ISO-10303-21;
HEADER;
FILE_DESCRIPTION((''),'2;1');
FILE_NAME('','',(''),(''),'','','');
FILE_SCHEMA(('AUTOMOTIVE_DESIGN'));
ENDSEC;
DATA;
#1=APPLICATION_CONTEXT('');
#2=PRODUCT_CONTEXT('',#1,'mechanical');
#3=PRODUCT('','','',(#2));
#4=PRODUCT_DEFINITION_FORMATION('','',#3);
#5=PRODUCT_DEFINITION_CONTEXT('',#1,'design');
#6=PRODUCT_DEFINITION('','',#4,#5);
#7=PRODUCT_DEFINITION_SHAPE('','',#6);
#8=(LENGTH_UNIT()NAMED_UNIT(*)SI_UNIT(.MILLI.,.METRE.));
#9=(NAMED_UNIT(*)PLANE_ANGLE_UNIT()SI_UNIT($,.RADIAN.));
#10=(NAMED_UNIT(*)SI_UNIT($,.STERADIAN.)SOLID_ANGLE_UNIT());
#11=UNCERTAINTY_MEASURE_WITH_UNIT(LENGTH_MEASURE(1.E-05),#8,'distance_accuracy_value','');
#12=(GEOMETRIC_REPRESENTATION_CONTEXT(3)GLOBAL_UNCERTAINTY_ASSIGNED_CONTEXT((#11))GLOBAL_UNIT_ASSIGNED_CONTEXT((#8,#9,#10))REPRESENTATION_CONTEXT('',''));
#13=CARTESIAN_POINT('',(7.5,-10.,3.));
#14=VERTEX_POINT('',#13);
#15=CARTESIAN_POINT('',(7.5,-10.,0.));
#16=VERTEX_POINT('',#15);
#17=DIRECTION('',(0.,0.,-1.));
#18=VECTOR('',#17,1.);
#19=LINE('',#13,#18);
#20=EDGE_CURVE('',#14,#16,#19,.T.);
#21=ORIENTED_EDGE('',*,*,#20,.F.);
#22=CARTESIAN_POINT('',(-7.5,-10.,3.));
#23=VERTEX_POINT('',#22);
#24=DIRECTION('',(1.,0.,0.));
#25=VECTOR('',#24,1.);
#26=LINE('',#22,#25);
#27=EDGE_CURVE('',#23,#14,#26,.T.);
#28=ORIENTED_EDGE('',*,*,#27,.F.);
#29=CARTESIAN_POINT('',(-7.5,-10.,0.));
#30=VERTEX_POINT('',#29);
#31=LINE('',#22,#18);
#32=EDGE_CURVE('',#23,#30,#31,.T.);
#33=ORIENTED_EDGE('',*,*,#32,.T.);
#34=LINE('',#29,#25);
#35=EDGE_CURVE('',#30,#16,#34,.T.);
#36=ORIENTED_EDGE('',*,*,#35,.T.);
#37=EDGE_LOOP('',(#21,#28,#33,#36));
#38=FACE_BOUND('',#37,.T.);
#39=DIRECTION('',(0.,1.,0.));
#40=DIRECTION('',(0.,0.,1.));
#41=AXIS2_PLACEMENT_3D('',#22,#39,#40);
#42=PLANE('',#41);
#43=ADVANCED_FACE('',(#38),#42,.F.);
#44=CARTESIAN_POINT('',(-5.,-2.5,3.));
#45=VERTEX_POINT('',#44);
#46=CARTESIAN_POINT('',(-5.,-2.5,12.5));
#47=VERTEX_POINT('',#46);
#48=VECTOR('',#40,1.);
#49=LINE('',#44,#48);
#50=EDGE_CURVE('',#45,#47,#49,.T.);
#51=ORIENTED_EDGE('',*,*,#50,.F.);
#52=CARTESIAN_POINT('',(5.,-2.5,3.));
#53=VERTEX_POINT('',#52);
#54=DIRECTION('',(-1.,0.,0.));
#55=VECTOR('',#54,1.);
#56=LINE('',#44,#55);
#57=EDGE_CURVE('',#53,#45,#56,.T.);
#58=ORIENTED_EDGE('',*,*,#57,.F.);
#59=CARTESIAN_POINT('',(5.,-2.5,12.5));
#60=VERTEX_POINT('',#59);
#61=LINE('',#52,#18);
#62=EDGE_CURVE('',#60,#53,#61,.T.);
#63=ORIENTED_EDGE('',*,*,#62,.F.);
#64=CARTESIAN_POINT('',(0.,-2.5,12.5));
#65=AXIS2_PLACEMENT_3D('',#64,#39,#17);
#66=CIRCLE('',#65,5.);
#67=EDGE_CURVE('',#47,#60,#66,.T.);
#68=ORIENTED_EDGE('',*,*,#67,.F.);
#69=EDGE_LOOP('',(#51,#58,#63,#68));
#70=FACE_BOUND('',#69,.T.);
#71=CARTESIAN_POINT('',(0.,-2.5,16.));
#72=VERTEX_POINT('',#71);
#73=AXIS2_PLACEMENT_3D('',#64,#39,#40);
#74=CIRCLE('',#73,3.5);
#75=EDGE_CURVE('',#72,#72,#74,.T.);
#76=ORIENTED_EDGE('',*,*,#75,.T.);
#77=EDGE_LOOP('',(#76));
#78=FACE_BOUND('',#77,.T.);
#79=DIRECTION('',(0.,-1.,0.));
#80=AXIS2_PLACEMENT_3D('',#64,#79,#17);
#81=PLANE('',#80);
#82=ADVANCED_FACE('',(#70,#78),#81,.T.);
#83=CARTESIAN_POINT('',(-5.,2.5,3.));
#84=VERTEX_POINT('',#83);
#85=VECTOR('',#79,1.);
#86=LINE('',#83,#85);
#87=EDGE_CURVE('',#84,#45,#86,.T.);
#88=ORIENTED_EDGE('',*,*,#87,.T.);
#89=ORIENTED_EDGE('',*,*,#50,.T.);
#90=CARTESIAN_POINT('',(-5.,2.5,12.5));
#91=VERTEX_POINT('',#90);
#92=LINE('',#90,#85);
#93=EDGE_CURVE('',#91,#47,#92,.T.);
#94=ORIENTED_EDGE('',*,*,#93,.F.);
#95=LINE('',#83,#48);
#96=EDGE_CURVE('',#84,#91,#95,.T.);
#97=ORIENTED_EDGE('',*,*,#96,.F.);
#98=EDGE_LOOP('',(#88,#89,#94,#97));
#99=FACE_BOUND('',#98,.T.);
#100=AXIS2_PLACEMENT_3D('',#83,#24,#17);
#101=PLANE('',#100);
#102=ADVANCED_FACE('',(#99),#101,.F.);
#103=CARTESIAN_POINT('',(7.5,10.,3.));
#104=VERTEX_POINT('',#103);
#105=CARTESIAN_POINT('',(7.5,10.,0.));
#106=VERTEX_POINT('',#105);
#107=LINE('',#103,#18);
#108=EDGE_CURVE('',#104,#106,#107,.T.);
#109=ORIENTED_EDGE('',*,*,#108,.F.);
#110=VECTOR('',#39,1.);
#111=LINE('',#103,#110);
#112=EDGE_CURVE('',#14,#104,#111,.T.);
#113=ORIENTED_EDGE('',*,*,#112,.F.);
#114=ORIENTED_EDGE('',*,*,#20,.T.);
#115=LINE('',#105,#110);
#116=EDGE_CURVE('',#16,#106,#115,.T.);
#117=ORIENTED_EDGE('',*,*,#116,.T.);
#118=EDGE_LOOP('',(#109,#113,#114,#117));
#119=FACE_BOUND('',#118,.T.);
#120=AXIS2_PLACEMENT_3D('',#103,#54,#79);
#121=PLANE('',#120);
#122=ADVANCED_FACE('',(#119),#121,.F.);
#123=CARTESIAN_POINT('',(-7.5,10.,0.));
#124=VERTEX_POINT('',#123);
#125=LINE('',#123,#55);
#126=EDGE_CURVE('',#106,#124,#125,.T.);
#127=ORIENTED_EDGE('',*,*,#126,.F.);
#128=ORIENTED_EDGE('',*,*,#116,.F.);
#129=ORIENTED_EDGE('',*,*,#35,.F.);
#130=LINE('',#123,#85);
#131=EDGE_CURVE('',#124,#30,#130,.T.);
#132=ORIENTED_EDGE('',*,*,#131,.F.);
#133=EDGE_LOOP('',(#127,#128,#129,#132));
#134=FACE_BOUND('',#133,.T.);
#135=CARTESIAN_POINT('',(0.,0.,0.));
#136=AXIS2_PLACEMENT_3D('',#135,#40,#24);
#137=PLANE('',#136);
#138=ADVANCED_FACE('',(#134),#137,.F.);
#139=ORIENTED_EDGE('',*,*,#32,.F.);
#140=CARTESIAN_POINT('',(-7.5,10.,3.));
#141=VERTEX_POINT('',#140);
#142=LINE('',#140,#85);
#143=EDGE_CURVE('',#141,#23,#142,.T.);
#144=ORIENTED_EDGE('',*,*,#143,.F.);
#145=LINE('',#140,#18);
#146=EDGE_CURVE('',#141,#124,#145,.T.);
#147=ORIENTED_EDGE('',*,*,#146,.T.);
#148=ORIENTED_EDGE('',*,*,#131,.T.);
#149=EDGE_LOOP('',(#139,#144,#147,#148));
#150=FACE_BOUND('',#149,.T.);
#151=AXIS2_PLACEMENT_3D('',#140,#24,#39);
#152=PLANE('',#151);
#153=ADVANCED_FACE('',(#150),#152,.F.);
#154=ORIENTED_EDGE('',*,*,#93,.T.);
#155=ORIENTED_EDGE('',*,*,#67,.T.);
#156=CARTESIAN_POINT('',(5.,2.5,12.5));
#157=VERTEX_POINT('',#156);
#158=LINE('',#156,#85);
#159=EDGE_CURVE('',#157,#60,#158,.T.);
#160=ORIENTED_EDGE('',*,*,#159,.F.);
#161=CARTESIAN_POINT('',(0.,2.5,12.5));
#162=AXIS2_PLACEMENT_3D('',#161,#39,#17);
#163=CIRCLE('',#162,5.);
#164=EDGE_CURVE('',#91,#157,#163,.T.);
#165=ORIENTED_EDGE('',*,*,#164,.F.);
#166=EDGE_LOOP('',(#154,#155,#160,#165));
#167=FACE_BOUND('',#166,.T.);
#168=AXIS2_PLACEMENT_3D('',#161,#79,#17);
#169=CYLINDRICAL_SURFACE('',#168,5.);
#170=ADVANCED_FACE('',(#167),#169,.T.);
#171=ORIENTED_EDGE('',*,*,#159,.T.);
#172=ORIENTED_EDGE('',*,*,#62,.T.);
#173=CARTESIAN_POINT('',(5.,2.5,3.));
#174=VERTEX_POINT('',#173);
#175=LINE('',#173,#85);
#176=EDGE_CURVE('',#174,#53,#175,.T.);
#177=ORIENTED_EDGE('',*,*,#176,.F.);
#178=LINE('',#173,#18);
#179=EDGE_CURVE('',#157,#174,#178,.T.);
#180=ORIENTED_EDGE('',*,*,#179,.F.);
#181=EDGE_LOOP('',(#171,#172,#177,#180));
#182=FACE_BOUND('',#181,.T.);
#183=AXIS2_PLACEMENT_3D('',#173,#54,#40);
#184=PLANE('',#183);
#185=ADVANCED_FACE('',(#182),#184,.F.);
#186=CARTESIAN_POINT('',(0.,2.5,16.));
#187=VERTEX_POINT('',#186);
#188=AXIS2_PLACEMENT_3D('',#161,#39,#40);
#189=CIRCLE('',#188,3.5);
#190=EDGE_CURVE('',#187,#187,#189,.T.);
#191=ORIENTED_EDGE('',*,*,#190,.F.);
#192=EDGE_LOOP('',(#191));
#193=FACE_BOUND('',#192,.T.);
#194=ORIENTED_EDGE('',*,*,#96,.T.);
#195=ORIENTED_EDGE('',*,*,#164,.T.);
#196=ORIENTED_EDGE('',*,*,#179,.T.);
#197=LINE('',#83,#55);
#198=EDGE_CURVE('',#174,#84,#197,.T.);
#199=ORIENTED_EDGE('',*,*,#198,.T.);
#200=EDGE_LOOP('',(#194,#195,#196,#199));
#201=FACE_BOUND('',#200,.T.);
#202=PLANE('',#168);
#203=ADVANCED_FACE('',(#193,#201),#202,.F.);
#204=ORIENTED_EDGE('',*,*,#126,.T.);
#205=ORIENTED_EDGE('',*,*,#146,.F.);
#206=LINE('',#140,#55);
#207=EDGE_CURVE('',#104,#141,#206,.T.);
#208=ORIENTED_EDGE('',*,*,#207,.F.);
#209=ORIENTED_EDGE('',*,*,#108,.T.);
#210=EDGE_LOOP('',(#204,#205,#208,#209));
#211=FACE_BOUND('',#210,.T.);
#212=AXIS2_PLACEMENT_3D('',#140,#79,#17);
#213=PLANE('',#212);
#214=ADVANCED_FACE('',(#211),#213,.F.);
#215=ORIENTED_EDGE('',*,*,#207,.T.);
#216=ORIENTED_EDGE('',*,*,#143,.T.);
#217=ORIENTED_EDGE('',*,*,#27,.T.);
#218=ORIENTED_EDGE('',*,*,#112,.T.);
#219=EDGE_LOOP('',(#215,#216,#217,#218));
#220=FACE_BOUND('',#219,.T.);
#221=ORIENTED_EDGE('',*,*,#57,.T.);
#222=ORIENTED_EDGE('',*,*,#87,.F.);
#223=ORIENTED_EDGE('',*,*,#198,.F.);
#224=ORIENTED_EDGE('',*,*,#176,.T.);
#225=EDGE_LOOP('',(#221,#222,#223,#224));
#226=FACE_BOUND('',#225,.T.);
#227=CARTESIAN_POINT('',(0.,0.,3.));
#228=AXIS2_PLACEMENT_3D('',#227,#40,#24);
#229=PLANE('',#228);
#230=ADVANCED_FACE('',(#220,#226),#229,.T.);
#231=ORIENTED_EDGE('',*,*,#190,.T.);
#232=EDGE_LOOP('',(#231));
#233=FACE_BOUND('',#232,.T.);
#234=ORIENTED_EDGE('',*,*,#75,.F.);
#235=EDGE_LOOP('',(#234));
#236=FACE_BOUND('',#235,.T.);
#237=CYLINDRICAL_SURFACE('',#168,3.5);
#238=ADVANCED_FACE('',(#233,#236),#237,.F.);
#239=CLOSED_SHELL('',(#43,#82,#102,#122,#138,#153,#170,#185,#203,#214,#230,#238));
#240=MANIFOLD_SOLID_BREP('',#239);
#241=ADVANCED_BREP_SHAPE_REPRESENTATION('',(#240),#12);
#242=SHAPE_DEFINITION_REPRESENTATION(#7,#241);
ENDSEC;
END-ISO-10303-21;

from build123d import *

# Parameters (mm, degrees)
SKETCH1_W           = 15
SKETCH1_H           = 20
BOSS_EXTRUDE2_DEPTH = 3
SKETCH2_R           = 3.5
BOSS_EXTRUDE3_DEPTH = 2.5


with BuildPart() as part:
    # Sketch1 → Boss-Extrude2 (new body)
    with BuildSketch(Plane.XY):
        Rectangle(SKETCH1_W, SKETCH1_H)
    extrude(amount=BOSS_EXTRUDE2_DEPTH)

    # Sketch2 → Boss-Extrude3 (add, symmetric)
    with BuildSketch(Plane(origin=(0, 0, 0), x_dir=(1, 0, 0), z_dir=(0, 1, 0))):
        with BuildLine():
            Line((-5, -3), (5, -3))
            Line((5, -3), (5, -12.5))
            ThreePointArc((5, -12.5), (0, -17.5), (-5, -12.5))
            Line((-5, -12.5), (-5, -3))
        make_face()
        with Locations(Location((0, -12.5, 0), (0, 0, 270))):
            Circle(SKETCH2_R, mode=Mode.SUBTRACT)
    extrude(amount=BOSS_EXTRUDE3_DEPTH, both=True)


solid = part.part
